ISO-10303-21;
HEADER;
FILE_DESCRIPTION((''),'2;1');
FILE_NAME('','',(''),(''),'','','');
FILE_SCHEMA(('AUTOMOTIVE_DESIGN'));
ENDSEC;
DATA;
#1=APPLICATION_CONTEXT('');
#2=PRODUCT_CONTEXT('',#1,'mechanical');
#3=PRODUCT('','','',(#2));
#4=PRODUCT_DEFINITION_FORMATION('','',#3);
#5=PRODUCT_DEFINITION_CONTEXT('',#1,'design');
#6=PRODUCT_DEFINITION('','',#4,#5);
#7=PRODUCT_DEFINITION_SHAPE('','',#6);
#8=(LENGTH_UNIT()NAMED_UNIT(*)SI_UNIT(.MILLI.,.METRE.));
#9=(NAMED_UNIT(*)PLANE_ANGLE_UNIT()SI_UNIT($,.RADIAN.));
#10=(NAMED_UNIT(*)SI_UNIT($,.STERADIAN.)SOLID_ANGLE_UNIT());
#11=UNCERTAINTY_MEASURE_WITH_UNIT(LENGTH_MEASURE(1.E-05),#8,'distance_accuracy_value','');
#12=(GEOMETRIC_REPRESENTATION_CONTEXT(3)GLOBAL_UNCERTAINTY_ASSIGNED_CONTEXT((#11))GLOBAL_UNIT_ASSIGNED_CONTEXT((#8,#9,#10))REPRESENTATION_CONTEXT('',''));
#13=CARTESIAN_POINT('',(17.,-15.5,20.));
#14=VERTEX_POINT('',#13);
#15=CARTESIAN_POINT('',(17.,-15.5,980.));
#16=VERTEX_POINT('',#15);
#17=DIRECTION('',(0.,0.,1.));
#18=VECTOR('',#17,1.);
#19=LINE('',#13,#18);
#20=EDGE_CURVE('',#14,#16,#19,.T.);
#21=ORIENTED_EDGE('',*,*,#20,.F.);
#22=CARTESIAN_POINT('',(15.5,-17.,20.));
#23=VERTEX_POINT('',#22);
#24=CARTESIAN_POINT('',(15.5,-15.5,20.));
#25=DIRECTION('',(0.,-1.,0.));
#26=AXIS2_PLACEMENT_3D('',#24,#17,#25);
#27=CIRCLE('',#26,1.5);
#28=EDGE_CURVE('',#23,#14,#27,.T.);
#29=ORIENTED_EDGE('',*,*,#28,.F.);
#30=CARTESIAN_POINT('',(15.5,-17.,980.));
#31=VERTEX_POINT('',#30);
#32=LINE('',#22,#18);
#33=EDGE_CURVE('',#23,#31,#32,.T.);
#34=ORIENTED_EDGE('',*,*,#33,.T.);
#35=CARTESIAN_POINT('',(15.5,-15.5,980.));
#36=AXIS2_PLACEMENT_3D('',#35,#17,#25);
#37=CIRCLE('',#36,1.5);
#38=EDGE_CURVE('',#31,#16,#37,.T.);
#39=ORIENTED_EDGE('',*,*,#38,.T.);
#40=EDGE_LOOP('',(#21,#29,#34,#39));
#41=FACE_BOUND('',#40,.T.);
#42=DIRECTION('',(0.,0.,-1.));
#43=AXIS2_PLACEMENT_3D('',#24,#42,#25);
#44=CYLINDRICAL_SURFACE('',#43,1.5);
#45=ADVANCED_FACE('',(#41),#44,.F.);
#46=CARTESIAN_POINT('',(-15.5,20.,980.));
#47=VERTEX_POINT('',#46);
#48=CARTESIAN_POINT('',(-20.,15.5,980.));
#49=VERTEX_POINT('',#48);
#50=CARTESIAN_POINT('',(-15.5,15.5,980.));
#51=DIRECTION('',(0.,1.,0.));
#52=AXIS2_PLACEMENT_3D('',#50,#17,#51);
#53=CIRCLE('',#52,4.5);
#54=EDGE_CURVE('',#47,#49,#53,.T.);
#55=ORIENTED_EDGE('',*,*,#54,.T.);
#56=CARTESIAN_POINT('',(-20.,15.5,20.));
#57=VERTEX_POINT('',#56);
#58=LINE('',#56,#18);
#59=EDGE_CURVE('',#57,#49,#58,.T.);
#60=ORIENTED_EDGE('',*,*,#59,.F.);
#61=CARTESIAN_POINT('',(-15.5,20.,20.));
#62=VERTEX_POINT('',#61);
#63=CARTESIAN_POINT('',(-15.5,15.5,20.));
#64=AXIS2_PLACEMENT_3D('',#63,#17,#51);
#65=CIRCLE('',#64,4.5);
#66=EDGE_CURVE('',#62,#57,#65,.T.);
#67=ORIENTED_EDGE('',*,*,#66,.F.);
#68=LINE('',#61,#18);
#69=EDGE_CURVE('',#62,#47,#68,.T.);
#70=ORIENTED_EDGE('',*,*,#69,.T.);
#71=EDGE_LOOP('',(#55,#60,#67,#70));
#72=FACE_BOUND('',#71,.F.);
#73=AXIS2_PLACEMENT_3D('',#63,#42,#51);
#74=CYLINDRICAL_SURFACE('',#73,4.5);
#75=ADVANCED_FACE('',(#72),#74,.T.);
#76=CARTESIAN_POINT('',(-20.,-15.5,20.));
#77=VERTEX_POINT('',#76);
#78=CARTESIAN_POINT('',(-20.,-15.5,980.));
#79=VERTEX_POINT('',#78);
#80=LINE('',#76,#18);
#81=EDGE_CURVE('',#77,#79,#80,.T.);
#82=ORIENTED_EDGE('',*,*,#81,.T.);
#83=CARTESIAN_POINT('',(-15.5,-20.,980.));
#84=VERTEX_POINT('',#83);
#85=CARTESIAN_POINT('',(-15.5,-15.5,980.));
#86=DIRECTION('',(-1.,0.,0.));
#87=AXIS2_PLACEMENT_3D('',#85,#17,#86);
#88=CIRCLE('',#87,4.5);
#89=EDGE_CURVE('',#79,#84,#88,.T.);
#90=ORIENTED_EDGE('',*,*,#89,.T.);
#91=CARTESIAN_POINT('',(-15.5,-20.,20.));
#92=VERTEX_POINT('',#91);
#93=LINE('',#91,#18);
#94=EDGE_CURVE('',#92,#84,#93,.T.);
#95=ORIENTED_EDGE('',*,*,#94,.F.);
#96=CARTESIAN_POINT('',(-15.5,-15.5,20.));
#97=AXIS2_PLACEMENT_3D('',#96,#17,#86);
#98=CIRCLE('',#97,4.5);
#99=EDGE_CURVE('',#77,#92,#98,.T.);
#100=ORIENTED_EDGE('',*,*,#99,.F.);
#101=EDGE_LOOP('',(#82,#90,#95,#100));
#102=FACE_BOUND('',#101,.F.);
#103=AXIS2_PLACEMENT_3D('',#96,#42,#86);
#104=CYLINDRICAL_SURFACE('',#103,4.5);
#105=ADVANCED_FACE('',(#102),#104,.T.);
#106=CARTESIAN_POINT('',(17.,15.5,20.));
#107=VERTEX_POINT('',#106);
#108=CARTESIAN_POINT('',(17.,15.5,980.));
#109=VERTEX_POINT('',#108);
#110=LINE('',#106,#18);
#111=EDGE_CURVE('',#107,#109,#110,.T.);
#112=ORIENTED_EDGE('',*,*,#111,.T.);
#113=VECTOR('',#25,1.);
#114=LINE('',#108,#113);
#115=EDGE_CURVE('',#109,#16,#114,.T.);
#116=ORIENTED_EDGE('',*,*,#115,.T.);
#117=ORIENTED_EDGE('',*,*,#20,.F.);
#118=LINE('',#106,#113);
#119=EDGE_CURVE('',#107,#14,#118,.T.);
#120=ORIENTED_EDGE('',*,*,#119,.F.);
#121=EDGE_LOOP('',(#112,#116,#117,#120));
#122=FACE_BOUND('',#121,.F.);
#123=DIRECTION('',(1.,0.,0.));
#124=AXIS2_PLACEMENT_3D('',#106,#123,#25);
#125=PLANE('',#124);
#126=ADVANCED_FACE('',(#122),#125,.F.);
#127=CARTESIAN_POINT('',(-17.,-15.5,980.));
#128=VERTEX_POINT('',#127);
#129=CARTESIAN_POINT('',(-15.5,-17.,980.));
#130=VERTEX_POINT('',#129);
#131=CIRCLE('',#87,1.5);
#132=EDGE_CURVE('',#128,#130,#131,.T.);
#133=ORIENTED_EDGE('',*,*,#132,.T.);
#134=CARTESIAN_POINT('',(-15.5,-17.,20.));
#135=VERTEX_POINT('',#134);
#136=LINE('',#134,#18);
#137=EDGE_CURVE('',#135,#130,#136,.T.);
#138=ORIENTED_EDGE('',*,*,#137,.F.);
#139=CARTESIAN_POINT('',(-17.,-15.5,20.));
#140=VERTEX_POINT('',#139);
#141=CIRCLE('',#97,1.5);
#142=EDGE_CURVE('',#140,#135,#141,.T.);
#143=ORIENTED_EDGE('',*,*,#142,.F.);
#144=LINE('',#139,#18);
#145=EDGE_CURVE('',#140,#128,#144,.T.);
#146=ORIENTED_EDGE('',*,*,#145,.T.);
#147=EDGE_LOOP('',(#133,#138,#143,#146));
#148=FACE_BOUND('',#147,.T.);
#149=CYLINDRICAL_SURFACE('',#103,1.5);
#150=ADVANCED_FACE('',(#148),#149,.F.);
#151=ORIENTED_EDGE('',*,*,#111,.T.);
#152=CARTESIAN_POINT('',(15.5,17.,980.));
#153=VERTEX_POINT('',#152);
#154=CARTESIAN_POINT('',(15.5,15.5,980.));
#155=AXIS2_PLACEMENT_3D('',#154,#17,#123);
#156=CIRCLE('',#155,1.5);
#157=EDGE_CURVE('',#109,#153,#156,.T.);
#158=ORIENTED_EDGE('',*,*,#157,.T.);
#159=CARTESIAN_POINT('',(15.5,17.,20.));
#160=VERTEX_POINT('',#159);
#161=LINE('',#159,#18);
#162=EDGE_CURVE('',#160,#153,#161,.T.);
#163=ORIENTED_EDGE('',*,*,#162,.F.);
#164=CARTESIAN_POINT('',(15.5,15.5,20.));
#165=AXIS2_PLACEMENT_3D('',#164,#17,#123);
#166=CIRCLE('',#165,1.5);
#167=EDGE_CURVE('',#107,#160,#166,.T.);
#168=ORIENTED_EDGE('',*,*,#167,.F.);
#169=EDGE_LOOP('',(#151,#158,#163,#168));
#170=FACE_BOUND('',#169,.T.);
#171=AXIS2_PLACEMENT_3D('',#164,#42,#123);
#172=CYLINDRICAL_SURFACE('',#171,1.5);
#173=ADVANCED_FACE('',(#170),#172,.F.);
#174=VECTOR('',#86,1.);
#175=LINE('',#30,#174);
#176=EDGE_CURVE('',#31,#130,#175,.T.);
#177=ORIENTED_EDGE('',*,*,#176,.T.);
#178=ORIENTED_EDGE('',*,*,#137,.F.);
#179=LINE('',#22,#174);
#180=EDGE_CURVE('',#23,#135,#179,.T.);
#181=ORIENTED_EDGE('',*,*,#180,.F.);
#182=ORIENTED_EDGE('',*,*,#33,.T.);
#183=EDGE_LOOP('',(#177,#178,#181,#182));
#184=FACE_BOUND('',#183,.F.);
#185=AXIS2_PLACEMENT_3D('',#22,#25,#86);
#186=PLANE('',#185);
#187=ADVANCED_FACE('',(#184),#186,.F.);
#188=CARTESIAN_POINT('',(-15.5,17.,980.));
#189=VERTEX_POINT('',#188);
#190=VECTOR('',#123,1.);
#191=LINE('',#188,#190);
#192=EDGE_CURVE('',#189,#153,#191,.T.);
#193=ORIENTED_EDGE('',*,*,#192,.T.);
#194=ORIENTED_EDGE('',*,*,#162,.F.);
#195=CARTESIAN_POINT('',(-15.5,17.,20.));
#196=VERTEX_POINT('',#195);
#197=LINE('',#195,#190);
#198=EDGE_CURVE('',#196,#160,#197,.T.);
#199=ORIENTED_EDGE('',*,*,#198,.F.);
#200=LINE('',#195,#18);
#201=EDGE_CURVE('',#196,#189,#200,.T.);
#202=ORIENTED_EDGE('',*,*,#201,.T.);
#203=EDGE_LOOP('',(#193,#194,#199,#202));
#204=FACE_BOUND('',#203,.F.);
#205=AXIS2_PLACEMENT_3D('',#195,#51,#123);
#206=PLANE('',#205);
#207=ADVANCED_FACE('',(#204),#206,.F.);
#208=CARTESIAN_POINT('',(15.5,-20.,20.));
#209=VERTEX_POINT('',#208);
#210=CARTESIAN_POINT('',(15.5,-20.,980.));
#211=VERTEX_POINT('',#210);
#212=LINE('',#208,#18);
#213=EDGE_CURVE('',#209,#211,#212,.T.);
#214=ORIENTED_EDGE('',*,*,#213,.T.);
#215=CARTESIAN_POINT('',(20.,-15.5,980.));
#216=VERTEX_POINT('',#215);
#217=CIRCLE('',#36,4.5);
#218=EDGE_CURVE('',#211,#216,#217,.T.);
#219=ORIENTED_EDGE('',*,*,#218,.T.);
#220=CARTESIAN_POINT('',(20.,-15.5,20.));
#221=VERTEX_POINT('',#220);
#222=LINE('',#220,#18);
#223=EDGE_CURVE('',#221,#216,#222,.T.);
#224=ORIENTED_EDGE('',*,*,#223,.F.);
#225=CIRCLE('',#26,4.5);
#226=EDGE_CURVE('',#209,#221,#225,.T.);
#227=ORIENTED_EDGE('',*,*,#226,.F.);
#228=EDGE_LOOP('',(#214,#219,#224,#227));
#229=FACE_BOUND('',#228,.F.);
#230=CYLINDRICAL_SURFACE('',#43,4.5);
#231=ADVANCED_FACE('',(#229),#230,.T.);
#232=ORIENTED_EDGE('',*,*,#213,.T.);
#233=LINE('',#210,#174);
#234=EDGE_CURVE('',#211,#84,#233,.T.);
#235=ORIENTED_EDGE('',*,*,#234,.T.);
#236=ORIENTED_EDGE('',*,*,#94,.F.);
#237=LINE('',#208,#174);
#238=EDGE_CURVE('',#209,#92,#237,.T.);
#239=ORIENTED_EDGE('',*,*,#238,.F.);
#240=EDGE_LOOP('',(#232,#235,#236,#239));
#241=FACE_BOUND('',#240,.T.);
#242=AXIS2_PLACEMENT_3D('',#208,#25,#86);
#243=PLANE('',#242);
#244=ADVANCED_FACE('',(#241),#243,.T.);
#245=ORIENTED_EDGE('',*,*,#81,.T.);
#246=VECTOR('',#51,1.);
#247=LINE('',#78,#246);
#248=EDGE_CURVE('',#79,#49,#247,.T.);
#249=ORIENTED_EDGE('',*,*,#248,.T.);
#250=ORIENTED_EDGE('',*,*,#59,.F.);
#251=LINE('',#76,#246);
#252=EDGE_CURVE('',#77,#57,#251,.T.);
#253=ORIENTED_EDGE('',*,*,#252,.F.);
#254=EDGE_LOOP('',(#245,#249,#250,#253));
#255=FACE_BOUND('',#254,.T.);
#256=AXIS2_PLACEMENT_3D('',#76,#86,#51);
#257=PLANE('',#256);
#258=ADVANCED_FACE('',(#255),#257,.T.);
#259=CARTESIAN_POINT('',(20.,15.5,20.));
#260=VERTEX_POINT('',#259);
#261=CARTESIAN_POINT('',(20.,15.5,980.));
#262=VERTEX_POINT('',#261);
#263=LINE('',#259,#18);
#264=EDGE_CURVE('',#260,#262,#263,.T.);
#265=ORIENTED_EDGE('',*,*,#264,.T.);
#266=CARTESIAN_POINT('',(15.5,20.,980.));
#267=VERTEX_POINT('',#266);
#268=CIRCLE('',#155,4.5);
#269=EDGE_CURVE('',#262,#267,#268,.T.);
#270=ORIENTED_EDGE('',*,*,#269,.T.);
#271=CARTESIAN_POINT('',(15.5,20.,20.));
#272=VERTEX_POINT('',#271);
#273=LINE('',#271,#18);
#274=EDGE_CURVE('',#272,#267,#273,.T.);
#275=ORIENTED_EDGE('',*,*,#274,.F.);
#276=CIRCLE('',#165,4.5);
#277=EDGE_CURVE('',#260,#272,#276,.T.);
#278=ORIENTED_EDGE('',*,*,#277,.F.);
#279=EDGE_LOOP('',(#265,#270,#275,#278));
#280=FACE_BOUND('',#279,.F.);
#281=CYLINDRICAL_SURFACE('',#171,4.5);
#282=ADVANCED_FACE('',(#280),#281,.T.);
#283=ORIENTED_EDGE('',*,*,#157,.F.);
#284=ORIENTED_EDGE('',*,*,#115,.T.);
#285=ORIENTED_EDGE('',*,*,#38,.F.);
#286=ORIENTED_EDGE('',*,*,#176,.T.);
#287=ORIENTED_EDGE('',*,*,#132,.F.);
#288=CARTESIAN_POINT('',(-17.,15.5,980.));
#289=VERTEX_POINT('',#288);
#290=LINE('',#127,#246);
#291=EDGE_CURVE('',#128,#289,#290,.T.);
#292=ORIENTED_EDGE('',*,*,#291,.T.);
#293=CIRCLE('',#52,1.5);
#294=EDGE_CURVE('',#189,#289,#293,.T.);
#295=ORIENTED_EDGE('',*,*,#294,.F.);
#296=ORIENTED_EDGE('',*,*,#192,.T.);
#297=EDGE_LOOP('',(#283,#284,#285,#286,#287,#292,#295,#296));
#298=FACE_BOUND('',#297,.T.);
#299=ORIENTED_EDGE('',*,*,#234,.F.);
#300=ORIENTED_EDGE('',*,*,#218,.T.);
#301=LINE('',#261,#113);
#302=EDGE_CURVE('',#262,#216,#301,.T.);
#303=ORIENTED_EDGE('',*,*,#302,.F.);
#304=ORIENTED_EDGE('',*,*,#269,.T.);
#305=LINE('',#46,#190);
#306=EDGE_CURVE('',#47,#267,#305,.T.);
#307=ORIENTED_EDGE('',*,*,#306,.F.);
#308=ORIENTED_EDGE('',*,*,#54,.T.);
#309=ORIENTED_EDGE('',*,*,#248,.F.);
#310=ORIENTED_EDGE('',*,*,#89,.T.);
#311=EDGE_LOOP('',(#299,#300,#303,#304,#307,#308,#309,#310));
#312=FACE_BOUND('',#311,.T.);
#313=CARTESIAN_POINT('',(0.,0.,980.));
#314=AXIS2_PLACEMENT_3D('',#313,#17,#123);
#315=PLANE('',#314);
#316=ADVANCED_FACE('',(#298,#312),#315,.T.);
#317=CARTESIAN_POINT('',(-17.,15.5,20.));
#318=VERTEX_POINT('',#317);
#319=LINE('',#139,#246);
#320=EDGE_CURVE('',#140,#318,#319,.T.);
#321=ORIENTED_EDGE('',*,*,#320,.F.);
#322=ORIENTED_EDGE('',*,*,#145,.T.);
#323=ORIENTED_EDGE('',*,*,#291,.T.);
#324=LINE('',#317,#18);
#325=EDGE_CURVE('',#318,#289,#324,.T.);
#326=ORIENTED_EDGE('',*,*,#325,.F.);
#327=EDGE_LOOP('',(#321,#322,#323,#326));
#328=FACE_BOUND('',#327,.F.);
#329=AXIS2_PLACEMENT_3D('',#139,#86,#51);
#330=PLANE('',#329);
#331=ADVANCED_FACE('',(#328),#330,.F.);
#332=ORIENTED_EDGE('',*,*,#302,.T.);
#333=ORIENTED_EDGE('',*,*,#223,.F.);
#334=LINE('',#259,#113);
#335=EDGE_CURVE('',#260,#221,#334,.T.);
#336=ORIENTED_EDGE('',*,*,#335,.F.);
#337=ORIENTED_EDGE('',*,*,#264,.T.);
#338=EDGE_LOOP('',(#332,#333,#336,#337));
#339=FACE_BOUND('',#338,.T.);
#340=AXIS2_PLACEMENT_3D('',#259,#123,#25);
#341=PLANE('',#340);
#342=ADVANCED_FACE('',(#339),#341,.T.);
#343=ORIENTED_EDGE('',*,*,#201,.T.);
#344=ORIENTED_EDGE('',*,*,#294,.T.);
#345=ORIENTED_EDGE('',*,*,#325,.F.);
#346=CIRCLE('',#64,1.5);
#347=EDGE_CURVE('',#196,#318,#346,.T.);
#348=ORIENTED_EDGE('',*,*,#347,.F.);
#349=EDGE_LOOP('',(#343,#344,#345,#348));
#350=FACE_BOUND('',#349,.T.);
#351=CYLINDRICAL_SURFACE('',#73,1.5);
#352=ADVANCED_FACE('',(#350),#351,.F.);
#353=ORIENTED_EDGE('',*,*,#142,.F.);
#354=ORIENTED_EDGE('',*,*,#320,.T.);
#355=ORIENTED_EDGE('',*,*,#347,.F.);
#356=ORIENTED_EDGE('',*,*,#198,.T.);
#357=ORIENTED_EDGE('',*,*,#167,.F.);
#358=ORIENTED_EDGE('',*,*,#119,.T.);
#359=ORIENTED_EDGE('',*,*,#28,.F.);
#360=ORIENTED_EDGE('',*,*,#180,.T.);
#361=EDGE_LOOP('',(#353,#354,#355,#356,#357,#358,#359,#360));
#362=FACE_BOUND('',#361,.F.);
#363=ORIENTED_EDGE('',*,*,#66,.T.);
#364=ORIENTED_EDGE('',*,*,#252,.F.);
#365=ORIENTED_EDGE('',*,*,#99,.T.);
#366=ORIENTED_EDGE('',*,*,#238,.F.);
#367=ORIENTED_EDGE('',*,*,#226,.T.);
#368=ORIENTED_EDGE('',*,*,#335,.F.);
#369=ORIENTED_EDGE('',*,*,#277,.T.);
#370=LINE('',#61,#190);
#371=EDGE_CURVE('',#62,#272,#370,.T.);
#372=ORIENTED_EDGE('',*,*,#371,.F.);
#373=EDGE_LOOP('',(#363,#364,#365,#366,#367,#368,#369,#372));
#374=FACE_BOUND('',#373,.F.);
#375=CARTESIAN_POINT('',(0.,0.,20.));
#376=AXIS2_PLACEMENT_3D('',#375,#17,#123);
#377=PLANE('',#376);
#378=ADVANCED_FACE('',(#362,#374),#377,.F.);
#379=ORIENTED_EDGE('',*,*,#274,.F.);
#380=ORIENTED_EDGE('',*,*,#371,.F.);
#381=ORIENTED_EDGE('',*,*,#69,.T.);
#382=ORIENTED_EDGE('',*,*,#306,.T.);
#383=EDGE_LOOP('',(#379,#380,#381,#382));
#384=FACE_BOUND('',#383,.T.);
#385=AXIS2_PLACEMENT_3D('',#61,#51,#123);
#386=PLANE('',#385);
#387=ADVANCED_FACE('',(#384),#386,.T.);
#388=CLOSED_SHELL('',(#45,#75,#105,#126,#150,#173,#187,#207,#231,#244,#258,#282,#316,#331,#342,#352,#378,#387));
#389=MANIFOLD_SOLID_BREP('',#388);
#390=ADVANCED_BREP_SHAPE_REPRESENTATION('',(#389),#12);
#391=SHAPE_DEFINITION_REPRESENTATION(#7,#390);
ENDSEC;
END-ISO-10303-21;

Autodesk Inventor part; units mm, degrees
ref_plane "Start Plane" through (0, 0, 20) normal (0, 0, 1) x (1, 0, 0)
ref_plane "End Plane" through (0, 0, 980) normal (0, 0, 1) x (1, 0, 0)
sketch "Sketch" plane through (0, 0, 0) normal (0, 0, 1) x (1, 0, 0)
  line L0 (-20, -15.5) -> (-20, 15.5)
  line L1 (-15.5, 20) -> (15.5, 20)
  line L2 (20, 15.5) -> (20, -15.5)
  line L3 (15.5, -20) -> (-15.5, -20)
  arc A0 (-20, -15.5) -> (-15.5, -20) centre (-15.5, -15.5) ccw
  arc A1 (-15.5, 20) -> (-20, 15.5) centre (-15.5, 15.5) ccw
  arc A2 (20, 15.5) -> (15.5, 20) centre (15.5, 15.5) ccw
  arc A3 (15.5, -20) -> (20, -15.5) centre (15.5, -15.5) ccw
  arc A4 (-15.5, 17) -> (-17, 15.5) centre (-15.5, 15.5) ccw
  line L4 (-15.5, 17) -> (15.5, 17)
  arc A5 (17, 15.5) -> (15.5, 17) centre (15.5, 15.5) ccw
  line L5 (17, 15.5) -> (17, -15.5)
  arc A6 (15.5, -17) -> (17, -15.5) centre (15.5, -15.5) ccw
  line L6 (15.5, -17) -> (-15.5, -17)
  arc A7 (-17, -15.5) -> (-15.5, -17) centre (-15.5, -15.5) ccw
  line L7 (-17, -15.5) -> (-17, 15.5)
  line L8 (0, 29.3048) -> (0, -29.3048) construction
  line L9 (-29.3048, 0) -> (29.3048, 0) construction
  dimension "d7" = 4.5
  dimension "d10" = 40
  dimension "d11" = 40
  dimension "d12" = 3
  dimension "d15" = 20
  dimension "d16" = 20
extrude "Body" add sketch "Sketch" along normal up to surface (960 mm away) from surface at 20
sketch "Sketch3" plane through (0, 0, 0) normal (0, 0, 1) x (1, 0, 0)
  line L0 (0, 0) -> (10, 0)
ref_plane "Work Plane3" through (0, 0, 0) normal (0, -1, 0) x (1, 0, 0)
ref_plane "Work Plane4" through (-400, 15.5, 980) normal (0, 0, 1) x (1, 0, 0)
split "Split1" plane through (-400, 15.5, 980) removes the side toward (0, 0, 1)
ref_plane "Work Plane5" through (-400, -15.5, 20) normal (0, 0, -1) x (-1, 0, 0)
split "Split2" plane through (-400, -15.5, 20) removes the side toward (0, 0, -1)
sketch "Sketch4" plane through (0, 0, 0) normal (0, -1, 0) x (1, 0, 0)
  line L0 (-2, 20) -> (12, 20) projected
  line L1 (-2, 980) -> (12, 980) projected
  dimension "d18" = 960
equation "\"d7\" = G_IR"
equation "\"d10\" = G_H"
equation "\"d11\" = G_W"
equation "\"d12\" = G_T"
equation "\"d15\" = 0.5 * d10"
equation "\"d16\" = 0.5 * d11"
equation "\"d3\" = G_L"
equation "\"G_W\" = 40"
equation "\"G_H\" = 40"
equation "\"G_T\" = 3"
equation "\"G_IR\" = 4.5"
equation "\"G_L\" = d18"
properties part number "ISO 12633-2 - 40x40x3 - 960" material "Steel, Mild"
